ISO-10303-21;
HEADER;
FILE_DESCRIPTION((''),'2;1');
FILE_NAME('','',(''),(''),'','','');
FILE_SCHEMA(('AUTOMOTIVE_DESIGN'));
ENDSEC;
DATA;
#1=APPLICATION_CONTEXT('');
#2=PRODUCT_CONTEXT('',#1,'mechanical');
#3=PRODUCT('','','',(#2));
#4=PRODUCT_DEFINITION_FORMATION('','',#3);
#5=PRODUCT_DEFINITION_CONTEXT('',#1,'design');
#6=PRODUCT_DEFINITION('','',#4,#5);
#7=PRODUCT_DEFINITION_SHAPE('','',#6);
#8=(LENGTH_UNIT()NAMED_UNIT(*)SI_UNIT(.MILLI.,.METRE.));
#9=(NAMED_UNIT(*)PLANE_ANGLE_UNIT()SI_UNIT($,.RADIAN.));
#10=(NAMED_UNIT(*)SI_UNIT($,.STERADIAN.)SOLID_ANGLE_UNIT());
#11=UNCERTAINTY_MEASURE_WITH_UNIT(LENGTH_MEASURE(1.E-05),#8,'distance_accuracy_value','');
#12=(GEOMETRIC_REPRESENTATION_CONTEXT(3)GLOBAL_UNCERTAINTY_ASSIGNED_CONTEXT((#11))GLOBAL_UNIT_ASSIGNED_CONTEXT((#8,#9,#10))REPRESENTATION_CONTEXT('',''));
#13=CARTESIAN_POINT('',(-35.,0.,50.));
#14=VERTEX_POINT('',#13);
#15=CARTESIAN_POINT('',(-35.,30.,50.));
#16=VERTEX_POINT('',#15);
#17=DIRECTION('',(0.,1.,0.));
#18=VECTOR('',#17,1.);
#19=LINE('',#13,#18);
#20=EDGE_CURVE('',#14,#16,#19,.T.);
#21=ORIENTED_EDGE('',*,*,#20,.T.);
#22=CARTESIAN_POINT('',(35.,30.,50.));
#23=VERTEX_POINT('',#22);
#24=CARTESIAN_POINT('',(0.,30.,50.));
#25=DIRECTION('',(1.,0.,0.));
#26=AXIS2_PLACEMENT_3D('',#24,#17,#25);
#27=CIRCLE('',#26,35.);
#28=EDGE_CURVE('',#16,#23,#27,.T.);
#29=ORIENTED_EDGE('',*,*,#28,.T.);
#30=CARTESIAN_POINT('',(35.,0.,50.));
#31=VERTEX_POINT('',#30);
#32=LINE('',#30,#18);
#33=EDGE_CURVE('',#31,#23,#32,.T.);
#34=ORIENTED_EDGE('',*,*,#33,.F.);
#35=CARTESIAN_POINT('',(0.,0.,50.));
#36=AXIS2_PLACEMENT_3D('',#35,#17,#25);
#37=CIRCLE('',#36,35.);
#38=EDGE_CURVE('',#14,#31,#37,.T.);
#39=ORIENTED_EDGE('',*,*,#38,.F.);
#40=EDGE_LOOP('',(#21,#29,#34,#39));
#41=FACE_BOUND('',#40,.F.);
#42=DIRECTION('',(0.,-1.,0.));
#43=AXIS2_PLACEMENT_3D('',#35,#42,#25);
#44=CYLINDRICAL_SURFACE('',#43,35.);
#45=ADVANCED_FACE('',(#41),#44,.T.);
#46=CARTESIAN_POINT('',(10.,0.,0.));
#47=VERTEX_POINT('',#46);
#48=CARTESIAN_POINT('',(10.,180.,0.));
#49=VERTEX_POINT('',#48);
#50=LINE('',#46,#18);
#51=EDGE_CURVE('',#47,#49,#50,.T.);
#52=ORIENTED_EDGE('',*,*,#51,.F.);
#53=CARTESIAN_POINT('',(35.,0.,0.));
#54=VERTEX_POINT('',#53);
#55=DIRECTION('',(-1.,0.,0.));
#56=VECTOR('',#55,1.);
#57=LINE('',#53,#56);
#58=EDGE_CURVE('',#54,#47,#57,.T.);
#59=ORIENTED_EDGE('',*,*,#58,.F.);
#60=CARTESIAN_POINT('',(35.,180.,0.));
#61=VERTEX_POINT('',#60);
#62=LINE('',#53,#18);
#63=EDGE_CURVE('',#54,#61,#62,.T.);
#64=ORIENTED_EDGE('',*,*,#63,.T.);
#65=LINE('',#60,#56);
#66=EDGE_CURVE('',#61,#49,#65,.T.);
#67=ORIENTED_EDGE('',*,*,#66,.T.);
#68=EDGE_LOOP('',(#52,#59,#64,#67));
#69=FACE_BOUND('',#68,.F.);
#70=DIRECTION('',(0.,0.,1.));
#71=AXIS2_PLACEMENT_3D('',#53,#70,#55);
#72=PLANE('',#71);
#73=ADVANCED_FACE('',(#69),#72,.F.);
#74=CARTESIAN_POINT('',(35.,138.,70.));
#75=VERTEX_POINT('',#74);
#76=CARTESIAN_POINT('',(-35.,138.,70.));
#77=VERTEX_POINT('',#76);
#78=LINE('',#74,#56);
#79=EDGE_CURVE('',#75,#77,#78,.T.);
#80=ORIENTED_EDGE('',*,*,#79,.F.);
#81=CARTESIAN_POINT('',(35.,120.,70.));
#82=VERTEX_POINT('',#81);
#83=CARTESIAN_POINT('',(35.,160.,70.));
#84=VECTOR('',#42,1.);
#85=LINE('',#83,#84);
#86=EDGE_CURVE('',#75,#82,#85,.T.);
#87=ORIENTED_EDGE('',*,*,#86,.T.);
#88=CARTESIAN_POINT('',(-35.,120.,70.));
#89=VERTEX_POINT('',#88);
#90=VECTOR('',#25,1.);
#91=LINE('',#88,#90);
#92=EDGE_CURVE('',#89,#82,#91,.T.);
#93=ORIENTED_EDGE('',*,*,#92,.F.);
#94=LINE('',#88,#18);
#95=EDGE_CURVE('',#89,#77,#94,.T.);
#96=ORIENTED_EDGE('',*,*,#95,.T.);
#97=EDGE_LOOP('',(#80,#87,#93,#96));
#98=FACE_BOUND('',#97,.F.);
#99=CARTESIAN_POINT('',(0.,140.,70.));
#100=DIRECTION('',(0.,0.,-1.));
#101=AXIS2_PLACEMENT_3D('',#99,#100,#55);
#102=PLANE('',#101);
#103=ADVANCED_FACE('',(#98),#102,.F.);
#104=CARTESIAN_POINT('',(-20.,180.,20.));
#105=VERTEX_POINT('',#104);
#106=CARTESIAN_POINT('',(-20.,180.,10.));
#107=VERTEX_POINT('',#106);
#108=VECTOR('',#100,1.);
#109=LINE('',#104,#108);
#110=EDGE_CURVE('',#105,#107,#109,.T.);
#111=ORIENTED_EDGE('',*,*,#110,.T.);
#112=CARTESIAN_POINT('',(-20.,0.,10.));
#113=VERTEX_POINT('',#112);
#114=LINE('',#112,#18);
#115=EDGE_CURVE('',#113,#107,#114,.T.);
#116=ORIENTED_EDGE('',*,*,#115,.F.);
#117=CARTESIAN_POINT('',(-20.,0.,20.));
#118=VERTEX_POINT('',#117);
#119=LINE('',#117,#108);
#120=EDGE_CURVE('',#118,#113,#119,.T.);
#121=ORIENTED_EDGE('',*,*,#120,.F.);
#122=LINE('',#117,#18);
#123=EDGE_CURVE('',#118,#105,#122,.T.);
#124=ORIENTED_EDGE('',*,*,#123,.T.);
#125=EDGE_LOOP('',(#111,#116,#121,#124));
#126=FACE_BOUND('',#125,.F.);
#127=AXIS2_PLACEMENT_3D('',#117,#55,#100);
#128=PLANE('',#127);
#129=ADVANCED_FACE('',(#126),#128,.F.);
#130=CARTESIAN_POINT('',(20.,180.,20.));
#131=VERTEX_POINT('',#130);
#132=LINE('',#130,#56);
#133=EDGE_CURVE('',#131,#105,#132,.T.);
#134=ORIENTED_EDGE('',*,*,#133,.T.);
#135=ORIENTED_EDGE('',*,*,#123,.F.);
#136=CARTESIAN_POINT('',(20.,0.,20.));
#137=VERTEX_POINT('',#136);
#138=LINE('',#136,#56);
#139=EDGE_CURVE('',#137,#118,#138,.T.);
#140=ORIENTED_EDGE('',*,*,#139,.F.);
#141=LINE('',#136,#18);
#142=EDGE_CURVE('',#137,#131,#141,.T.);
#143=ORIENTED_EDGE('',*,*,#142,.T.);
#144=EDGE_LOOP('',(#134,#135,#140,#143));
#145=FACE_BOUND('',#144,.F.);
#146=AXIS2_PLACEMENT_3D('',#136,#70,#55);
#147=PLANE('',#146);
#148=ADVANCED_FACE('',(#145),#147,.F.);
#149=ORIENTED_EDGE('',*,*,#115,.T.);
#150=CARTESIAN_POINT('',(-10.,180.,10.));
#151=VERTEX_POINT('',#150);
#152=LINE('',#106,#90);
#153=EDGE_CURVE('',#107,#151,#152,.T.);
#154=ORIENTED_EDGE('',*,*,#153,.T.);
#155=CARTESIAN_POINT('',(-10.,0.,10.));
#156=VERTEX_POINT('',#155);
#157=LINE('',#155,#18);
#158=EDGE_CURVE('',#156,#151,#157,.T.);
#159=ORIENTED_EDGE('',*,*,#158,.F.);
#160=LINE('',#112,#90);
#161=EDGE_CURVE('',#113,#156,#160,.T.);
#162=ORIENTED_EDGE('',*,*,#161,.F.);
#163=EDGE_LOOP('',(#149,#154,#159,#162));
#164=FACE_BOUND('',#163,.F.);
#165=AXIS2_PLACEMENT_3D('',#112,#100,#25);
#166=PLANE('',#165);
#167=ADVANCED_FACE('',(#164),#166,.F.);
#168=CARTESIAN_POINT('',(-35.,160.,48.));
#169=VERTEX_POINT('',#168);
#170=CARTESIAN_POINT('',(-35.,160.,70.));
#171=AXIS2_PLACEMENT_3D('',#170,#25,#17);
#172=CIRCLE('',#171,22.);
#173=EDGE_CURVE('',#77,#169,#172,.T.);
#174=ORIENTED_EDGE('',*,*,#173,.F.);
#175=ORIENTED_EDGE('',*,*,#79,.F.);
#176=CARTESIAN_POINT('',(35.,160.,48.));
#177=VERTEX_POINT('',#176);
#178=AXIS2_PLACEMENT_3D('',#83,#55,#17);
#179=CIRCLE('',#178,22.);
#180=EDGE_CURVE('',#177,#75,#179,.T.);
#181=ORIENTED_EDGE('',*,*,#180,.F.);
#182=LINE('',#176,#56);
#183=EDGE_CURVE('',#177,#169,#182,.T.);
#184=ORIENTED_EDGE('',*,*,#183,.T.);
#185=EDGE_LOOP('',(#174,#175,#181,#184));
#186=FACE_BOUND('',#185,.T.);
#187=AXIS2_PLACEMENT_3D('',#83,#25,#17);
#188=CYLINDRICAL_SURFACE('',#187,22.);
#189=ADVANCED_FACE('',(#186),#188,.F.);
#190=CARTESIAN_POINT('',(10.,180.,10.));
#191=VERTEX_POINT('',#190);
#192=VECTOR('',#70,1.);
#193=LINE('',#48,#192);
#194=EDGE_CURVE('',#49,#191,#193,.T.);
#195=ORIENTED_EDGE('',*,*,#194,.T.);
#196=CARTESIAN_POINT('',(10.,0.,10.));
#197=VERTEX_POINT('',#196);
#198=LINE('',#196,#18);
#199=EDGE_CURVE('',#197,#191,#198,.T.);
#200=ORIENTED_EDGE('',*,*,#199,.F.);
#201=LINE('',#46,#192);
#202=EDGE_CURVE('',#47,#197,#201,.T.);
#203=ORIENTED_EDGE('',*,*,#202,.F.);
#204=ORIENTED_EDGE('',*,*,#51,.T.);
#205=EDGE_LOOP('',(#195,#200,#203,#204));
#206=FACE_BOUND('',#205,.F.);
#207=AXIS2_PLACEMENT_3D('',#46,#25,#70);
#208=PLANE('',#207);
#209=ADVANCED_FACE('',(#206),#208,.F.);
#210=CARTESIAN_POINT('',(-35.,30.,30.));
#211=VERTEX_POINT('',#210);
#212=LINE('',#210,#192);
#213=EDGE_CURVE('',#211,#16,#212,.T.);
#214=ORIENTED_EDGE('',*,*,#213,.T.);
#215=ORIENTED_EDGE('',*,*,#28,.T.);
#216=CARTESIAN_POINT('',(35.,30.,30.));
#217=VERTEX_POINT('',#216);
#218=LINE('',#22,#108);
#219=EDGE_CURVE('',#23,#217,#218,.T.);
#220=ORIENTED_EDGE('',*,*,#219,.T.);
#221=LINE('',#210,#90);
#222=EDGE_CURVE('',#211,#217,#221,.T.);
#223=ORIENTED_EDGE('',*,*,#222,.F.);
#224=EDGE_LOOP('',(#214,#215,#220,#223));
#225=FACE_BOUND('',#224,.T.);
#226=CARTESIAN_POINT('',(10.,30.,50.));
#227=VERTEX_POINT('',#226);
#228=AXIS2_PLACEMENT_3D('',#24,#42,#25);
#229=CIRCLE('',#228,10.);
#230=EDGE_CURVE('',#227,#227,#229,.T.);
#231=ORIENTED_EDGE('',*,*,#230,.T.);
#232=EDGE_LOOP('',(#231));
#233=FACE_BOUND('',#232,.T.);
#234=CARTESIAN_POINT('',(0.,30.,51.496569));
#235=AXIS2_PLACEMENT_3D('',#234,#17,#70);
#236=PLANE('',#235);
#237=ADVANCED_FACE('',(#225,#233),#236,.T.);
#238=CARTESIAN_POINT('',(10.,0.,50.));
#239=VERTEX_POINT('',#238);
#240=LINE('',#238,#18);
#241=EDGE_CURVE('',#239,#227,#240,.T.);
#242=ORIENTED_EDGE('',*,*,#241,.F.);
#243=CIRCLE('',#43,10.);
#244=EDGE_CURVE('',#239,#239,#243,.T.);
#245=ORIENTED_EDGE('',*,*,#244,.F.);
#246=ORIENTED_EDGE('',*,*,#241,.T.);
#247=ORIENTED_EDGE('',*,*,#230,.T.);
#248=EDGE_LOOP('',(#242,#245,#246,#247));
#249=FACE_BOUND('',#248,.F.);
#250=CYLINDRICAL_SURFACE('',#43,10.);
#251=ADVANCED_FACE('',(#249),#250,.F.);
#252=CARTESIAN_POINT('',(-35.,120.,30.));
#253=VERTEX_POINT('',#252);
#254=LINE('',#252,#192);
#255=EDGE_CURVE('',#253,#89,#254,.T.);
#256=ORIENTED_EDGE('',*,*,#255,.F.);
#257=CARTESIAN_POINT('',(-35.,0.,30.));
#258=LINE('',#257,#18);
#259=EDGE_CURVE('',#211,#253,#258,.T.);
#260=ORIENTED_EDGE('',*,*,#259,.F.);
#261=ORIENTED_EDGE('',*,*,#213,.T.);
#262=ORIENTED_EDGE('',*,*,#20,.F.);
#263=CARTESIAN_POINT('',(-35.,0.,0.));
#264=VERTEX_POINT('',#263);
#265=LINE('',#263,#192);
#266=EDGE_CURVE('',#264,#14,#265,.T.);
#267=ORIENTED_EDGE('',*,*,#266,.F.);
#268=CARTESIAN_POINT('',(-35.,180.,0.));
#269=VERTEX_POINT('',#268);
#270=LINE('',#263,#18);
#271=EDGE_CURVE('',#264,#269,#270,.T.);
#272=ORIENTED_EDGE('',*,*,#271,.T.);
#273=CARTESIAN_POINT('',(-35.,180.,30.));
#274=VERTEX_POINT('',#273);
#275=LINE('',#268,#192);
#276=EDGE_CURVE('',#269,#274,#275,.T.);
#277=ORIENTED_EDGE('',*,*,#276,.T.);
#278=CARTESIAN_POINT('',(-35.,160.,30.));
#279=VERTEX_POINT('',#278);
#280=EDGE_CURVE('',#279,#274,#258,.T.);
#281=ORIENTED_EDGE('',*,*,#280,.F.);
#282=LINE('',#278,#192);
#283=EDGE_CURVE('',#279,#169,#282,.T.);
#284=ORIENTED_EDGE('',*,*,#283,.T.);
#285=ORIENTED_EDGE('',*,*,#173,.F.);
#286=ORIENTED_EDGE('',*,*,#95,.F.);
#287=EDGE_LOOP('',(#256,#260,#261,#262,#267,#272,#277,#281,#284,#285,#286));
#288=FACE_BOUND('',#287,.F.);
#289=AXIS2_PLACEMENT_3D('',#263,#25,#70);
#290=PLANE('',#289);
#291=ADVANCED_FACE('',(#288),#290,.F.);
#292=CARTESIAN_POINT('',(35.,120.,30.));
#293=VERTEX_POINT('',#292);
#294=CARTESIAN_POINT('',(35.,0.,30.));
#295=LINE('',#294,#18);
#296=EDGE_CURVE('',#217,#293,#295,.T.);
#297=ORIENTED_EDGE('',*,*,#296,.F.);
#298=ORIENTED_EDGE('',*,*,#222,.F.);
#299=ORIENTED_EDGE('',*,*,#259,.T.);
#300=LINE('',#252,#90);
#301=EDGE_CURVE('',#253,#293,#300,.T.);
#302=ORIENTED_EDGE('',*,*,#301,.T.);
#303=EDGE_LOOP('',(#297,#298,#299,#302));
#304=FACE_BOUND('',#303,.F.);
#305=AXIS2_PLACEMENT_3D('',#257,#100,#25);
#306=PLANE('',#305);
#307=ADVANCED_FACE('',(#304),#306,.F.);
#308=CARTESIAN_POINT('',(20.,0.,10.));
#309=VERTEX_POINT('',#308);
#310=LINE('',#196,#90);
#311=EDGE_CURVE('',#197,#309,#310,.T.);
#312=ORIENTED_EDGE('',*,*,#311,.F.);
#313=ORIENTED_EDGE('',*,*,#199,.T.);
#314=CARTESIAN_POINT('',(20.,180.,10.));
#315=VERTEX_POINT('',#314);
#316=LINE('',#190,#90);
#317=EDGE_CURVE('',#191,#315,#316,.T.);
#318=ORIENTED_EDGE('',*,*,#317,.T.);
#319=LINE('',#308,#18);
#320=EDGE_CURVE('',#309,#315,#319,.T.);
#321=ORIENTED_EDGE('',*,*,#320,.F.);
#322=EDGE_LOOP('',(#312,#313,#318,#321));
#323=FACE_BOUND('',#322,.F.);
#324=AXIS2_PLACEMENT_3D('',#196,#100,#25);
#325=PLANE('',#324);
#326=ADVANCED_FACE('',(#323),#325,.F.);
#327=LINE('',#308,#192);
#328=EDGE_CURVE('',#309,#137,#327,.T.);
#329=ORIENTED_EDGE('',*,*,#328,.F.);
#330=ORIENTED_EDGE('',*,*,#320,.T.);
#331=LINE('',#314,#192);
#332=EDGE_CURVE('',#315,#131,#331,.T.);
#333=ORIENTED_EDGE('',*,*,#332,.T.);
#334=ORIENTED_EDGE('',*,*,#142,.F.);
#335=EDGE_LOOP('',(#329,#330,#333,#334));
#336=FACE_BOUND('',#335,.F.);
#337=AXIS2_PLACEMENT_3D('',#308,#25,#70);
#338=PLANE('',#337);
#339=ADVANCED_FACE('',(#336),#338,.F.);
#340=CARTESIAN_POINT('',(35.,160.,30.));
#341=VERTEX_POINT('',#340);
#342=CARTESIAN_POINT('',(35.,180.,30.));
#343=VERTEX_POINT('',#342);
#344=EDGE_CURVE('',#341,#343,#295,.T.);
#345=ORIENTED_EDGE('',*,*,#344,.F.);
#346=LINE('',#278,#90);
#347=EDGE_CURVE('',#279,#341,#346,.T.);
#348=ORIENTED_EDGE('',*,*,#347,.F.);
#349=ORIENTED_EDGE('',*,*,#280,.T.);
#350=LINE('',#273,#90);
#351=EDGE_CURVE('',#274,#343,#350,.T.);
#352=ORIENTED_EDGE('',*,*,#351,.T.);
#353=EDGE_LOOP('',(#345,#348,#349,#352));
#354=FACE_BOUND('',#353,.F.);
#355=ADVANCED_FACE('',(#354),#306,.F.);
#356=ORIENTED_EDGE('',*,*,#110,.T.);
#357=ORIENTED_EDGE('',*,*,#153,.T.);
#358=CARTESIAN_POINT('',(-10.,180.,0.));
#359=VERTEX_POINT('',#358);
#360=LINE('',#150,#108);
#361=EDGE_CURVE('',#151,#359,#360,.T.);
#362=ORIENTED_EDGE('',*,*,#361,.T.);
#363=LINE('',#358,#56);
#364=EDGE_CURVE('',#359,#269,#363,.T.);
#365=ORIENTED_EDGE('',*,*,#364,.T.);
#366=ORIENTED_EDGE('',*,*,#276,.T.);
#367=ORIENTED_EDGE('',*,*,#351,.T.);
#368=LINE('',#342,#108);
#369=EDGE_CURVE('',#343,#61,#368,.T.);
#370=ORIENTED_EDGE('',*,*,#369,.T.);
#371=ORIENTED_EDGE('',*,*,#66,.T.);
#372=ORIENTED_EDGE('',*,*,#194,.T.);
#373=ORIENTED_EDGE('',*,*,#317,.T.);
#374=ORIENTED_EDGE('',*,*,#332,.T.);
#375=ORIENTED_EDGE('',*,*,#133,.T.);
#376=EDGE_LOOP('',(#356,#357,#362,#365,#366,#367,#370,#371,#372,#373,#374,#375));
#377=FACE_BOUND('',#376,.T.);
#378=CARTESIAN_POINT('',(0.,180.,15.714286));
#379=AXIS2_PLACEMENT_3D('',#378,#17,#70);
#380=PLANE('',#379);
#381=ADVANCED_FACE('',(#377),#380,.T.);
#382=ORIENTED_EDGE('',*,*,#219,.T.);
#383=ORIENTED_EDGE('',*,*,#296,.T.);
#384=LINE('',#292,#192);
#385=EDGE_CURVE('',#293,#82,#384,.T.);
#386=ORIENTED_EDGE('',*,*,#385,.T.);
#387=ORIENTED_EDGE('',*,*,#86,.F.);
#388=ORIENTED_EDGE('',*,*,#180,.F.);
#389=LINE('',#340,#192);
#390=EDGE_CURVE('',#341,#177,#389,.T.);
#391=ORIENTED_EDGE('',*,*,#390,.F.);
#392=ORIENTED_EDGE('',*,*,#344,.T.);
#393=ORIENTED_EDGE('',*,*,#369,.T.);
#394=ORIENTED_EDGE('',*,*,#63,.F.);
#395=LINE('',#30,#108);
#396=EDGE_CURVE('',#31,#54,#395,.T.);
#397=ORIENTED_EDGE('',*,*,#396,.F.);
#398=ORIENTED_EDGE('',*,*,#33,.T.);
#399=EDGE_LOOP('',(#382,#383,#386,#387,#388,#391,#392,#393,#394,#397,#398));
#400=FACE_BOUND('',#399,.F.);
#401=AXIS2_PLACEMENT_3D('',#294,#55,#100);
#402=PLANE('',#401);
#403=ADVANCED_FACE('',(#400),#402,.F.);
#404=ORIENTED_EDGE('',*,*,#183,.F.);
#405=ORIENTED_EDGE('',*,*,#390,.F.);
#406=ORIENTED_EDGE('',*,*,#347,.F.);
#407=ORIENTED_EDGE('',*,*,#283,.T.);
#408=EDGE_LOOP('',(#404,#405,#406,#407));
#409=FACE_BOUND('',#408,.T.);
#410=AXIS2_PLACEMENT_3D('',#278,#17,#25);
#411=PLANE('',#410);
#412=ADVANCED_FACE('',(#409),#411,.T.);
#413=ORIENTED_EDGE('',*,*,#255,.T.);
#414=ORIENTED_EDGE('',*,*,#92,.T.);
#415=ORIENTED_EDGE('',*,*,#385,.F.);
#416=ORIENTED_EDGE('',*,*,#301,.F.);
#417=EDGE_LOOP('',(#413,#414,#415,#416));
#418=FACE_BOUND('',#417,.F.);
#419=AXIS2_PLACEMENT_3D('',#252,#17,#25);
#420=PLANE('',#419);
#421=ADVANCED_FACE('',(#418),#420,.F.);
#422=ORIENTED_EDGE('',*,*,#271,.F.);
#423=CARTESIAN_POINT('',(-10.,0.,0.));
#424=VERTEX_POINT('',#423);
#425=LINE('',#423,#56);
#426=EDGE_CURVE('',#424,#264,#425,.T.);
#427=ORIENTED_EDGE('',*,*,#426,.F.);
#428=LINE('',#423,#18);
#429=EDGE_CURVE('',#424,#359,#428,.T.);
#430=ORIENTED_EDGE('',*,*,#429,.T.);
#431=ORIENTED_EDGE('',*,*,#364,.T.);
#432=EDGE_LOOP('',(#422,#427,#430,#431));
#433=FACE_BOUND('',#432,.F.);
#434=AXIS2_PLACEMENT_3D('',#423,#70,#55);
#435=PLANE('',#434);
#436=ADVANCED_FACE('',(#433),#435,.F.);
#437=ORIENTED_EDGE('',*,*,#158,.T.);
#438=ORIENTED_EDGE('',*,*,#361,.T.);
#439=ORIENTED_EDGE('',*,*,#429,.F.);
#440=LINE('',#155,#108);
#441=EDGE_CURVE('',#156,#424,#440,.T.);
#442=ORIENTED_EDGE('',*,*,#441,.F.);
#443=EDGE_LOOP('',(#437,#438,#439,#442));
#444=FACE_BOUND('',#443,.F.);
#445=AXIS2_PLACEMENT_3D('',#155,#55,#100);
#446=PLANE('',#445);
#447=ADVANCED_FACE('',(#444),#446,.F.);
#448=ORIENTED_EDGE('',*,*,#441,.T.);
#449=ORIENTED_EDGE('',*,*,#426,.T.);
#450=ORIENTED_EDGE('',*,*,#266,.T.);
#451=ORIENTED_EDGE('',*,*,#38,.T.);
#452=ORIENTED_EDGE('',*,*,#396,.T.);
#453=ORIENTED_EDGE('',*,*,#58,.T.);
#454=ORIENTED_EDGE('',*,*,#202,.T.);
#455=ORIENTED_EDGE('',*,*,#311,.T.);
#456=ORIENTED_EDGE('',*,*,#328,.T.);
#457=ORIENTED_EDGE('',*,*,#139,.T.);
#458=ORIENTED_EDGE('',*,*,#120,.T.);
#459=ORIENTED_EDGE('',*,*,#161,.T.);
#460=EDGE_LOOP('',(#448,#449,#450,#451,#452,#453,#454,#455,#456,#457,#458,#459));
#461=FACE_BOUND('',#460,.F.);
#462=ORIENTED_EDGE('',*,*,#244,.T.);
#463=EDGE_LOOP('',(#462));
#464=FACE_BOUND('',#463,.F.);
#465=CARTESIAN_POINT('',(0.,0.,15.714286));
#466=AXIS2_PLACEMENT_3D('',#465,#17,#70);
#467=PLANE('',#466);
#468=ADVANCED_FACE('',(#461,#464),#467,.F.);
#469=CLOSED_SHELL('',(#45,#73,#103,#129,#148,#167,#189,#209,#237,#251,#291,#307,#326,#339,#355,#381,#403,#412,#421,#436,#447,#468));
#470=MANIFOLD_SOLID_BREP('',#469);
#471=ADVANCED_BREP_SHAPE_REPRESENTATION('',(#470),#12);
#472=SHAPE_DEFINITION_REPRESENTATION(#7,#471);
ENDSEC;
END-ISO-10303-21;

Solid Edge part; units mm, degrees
sketch "Sketch1" plane through (0, 0, 0) normal (0, -1, 0) x (1, 0, 0)
  line L0 (-35, 30) -> (35, 30)
  line L1 (35, 30) -> (35, 0)
  line L2 (35, 0) -> (10, 0)
  line L3 (10, 0) -> (10, 10)
  line L4 (10, 10) -> (20, 10)
  line L5 (20, 10) -> (20, 20)
  line L6 (20, 20) -> (-20, 20)
  line L7 (-20, 20) -> (-20, 10)
  line L8 (-20, 10) -> (-10, 10)
  line L9 (-10, 10) -> (-10, 0)
  line L10 (-10, 0) -> (-35, 0)
  line L11 (-35, 0) -> (-35, 30)
extrude "Protrusion1" add sketch "Sketch1" against normal blind 180
sketch "Sketch2" plane through (0, 0, 15) normal (0, -1, 0) x (1, 0, 0)
  line L0 (35, 35) -> (35, 15)
  line L1 (-35, 15) -> (35, 15)
  line L2 (-35, 15) -> (-35, 35)
  arc A0 (-35, 35) -> (35, 35) centre (0, 35) cw
  circle A1 centre (0, 35) radius 5
extrude "ExtrudedProtrusion_2" add sketch "Sketch2" against normal blind 30
sketch "Sketch3" plane through (0, 105, 30) normal (0, 0, 1) x (1, 0, 0)
  line L0 (-35, 55) -> (35, 55)
  line L1 (35, 55) -> (35, 15)
  line L2 (-35, 15) -> (35, 15)
  line L3 (-35, 15) -> (-35, 55)
extrude "ExtrudedProtrusion_3" add sketch "Sketch3" along normal blind 40
sketch "Sketch4" plane through (35, 90, 35) normal (1, 0, 0) x (0, 1, 0)
  line L0 (70, 35) -> (48, 35)
  line L1 (70, 35) -> (70, 13)
  arc A0 (70, 13) -> (48, 35) centre (70, 35) cw
extrude "ExtrudedCutout_1" cut sketch "Sketch4" against normal blind 86.1386
sketch "Sketch5" plane through (0, 0, 42.5) normal (0, -1, 0) x (1, 0, 0)
  circle A0 centre (0, 7.5) radius 10
extrude "ExtrudedCutout_2" cut sketch "Sketch5" against normal blind 85.0315
